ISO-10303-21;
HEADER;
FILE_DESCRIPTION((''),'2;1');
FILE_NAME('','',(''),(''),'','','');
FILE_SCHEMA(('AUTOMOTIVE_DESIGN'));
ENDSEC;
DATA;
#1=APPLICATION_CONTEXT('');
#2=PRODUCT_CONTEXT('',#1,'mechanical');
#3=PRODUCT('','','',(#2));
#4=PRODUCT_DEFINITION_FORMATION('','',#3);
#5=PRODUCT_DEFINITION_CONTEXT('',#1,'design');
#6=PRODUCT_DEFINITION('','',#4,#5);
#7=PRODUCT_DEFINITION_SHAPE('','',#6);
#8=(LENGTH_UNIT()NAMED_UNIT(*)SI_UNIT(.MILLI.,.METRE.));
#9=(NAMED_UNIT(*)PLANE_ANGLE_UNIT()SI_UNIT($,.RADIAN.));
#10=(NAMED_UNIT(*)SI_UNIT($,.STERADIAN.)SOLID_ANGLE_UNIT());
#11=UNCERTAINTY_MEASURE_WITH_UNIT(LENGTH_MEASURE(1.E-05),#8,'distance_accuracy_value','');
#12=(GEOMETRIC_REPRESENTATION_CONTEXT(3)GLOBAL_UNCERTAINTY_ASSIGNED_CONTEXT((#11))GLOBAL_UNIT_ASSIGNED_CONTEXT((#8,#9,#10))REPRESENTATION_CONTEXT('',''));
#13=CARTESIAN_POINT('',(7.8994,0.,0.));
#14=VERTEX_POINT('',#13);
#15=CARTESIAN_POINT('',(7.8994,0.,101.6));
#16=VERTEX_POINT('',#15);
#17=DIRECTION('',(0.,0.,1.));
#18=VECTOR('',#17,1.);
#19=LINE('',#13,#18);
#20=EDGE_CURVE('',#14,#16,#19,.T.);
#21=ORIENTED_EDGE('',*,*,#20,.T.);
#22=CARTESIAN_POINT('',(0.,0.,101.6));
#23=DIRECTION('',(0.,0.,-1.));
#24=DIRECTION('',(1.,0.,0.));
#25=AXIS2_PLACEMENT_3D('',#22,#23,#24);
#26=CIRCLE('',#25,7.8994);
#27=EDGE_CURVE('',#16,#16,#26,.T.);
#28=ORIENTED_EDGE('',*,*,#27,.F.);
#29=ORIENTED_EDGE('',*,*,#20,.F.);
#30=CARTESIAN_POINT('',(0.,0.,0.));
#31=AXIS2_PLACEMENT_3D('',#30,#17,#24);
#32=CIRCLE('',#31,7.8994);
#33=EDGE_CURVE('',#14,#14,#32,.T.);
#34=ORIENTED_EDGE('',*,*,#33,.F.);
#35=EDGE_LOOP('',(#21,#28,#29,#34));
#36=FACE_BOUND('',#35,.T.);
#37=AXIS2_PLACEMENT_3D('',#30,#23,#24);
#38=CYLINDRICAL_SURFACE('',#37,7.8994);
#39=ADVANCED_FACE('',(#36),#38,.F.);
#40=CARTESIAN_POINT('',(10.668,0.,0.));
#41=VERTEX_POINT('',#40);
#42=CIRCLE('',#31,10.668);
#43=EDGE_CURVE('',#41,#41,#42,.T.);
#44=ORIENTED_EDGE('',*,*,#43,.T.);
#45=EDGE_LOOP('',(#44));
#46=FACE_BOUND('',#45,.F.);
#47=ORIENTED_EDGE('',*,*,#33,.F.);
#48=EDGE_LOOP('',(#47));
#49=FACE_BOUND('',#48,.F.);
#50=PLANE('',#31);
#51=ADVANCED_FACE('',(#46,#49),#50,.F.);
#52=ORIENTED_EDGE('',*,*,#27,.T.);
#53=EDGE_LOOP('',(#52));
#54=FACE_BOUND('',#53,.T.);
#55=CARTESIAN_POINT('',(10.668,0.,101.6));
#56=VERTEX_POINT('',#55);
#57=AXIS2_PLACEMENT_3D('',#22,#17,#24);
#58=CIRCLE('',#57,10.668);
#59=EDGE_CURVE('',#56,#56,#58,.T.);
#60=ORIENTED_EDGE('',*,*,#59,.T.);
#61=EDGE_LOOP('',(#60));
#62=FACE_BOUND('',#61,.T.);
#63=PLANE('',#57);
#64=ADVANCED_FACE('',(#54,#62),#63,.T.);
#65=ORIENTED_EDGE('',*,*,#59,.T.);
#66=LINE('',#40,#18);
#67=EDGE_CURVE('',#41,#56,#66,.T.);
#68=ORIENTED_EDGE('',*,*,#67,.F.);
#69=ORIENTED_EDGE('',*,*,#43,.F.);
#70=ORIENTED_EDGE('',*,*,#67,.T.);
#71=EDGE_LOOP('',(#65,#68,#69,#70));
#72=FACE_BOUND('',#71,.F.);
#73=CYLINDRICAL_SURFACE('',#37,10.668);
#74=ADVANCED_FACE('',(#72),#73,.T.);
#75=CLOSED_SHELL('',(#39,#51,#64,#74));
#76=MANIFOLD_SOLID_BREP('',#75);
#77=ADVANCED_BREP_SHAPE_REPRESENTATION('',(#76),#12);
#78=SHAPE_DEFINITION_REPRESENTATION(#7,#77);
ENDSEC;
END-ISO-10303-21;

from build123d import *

# Parameters (mm, degrees)
F0_R     = 10.668
F1_DEPTH = 101.6
F2_R     = 7.8994
F3_DEPTH = 101.601


with BuildPart() as f1:
    # F0 (on Top) → F1 (new body)
    with BuildSketch(Plane.XY):
        Circle(F0_R)
    extrude(amount=F1_DEPTH)

    # F2 (on Top) → F3 (cut, through all)
    with BuildSketch(Plane.XY):
        Circle(F2_R)
    extrude(amount=F3_DEPTH, mode=Mode.SUBTRACT)


solid = f1.part
